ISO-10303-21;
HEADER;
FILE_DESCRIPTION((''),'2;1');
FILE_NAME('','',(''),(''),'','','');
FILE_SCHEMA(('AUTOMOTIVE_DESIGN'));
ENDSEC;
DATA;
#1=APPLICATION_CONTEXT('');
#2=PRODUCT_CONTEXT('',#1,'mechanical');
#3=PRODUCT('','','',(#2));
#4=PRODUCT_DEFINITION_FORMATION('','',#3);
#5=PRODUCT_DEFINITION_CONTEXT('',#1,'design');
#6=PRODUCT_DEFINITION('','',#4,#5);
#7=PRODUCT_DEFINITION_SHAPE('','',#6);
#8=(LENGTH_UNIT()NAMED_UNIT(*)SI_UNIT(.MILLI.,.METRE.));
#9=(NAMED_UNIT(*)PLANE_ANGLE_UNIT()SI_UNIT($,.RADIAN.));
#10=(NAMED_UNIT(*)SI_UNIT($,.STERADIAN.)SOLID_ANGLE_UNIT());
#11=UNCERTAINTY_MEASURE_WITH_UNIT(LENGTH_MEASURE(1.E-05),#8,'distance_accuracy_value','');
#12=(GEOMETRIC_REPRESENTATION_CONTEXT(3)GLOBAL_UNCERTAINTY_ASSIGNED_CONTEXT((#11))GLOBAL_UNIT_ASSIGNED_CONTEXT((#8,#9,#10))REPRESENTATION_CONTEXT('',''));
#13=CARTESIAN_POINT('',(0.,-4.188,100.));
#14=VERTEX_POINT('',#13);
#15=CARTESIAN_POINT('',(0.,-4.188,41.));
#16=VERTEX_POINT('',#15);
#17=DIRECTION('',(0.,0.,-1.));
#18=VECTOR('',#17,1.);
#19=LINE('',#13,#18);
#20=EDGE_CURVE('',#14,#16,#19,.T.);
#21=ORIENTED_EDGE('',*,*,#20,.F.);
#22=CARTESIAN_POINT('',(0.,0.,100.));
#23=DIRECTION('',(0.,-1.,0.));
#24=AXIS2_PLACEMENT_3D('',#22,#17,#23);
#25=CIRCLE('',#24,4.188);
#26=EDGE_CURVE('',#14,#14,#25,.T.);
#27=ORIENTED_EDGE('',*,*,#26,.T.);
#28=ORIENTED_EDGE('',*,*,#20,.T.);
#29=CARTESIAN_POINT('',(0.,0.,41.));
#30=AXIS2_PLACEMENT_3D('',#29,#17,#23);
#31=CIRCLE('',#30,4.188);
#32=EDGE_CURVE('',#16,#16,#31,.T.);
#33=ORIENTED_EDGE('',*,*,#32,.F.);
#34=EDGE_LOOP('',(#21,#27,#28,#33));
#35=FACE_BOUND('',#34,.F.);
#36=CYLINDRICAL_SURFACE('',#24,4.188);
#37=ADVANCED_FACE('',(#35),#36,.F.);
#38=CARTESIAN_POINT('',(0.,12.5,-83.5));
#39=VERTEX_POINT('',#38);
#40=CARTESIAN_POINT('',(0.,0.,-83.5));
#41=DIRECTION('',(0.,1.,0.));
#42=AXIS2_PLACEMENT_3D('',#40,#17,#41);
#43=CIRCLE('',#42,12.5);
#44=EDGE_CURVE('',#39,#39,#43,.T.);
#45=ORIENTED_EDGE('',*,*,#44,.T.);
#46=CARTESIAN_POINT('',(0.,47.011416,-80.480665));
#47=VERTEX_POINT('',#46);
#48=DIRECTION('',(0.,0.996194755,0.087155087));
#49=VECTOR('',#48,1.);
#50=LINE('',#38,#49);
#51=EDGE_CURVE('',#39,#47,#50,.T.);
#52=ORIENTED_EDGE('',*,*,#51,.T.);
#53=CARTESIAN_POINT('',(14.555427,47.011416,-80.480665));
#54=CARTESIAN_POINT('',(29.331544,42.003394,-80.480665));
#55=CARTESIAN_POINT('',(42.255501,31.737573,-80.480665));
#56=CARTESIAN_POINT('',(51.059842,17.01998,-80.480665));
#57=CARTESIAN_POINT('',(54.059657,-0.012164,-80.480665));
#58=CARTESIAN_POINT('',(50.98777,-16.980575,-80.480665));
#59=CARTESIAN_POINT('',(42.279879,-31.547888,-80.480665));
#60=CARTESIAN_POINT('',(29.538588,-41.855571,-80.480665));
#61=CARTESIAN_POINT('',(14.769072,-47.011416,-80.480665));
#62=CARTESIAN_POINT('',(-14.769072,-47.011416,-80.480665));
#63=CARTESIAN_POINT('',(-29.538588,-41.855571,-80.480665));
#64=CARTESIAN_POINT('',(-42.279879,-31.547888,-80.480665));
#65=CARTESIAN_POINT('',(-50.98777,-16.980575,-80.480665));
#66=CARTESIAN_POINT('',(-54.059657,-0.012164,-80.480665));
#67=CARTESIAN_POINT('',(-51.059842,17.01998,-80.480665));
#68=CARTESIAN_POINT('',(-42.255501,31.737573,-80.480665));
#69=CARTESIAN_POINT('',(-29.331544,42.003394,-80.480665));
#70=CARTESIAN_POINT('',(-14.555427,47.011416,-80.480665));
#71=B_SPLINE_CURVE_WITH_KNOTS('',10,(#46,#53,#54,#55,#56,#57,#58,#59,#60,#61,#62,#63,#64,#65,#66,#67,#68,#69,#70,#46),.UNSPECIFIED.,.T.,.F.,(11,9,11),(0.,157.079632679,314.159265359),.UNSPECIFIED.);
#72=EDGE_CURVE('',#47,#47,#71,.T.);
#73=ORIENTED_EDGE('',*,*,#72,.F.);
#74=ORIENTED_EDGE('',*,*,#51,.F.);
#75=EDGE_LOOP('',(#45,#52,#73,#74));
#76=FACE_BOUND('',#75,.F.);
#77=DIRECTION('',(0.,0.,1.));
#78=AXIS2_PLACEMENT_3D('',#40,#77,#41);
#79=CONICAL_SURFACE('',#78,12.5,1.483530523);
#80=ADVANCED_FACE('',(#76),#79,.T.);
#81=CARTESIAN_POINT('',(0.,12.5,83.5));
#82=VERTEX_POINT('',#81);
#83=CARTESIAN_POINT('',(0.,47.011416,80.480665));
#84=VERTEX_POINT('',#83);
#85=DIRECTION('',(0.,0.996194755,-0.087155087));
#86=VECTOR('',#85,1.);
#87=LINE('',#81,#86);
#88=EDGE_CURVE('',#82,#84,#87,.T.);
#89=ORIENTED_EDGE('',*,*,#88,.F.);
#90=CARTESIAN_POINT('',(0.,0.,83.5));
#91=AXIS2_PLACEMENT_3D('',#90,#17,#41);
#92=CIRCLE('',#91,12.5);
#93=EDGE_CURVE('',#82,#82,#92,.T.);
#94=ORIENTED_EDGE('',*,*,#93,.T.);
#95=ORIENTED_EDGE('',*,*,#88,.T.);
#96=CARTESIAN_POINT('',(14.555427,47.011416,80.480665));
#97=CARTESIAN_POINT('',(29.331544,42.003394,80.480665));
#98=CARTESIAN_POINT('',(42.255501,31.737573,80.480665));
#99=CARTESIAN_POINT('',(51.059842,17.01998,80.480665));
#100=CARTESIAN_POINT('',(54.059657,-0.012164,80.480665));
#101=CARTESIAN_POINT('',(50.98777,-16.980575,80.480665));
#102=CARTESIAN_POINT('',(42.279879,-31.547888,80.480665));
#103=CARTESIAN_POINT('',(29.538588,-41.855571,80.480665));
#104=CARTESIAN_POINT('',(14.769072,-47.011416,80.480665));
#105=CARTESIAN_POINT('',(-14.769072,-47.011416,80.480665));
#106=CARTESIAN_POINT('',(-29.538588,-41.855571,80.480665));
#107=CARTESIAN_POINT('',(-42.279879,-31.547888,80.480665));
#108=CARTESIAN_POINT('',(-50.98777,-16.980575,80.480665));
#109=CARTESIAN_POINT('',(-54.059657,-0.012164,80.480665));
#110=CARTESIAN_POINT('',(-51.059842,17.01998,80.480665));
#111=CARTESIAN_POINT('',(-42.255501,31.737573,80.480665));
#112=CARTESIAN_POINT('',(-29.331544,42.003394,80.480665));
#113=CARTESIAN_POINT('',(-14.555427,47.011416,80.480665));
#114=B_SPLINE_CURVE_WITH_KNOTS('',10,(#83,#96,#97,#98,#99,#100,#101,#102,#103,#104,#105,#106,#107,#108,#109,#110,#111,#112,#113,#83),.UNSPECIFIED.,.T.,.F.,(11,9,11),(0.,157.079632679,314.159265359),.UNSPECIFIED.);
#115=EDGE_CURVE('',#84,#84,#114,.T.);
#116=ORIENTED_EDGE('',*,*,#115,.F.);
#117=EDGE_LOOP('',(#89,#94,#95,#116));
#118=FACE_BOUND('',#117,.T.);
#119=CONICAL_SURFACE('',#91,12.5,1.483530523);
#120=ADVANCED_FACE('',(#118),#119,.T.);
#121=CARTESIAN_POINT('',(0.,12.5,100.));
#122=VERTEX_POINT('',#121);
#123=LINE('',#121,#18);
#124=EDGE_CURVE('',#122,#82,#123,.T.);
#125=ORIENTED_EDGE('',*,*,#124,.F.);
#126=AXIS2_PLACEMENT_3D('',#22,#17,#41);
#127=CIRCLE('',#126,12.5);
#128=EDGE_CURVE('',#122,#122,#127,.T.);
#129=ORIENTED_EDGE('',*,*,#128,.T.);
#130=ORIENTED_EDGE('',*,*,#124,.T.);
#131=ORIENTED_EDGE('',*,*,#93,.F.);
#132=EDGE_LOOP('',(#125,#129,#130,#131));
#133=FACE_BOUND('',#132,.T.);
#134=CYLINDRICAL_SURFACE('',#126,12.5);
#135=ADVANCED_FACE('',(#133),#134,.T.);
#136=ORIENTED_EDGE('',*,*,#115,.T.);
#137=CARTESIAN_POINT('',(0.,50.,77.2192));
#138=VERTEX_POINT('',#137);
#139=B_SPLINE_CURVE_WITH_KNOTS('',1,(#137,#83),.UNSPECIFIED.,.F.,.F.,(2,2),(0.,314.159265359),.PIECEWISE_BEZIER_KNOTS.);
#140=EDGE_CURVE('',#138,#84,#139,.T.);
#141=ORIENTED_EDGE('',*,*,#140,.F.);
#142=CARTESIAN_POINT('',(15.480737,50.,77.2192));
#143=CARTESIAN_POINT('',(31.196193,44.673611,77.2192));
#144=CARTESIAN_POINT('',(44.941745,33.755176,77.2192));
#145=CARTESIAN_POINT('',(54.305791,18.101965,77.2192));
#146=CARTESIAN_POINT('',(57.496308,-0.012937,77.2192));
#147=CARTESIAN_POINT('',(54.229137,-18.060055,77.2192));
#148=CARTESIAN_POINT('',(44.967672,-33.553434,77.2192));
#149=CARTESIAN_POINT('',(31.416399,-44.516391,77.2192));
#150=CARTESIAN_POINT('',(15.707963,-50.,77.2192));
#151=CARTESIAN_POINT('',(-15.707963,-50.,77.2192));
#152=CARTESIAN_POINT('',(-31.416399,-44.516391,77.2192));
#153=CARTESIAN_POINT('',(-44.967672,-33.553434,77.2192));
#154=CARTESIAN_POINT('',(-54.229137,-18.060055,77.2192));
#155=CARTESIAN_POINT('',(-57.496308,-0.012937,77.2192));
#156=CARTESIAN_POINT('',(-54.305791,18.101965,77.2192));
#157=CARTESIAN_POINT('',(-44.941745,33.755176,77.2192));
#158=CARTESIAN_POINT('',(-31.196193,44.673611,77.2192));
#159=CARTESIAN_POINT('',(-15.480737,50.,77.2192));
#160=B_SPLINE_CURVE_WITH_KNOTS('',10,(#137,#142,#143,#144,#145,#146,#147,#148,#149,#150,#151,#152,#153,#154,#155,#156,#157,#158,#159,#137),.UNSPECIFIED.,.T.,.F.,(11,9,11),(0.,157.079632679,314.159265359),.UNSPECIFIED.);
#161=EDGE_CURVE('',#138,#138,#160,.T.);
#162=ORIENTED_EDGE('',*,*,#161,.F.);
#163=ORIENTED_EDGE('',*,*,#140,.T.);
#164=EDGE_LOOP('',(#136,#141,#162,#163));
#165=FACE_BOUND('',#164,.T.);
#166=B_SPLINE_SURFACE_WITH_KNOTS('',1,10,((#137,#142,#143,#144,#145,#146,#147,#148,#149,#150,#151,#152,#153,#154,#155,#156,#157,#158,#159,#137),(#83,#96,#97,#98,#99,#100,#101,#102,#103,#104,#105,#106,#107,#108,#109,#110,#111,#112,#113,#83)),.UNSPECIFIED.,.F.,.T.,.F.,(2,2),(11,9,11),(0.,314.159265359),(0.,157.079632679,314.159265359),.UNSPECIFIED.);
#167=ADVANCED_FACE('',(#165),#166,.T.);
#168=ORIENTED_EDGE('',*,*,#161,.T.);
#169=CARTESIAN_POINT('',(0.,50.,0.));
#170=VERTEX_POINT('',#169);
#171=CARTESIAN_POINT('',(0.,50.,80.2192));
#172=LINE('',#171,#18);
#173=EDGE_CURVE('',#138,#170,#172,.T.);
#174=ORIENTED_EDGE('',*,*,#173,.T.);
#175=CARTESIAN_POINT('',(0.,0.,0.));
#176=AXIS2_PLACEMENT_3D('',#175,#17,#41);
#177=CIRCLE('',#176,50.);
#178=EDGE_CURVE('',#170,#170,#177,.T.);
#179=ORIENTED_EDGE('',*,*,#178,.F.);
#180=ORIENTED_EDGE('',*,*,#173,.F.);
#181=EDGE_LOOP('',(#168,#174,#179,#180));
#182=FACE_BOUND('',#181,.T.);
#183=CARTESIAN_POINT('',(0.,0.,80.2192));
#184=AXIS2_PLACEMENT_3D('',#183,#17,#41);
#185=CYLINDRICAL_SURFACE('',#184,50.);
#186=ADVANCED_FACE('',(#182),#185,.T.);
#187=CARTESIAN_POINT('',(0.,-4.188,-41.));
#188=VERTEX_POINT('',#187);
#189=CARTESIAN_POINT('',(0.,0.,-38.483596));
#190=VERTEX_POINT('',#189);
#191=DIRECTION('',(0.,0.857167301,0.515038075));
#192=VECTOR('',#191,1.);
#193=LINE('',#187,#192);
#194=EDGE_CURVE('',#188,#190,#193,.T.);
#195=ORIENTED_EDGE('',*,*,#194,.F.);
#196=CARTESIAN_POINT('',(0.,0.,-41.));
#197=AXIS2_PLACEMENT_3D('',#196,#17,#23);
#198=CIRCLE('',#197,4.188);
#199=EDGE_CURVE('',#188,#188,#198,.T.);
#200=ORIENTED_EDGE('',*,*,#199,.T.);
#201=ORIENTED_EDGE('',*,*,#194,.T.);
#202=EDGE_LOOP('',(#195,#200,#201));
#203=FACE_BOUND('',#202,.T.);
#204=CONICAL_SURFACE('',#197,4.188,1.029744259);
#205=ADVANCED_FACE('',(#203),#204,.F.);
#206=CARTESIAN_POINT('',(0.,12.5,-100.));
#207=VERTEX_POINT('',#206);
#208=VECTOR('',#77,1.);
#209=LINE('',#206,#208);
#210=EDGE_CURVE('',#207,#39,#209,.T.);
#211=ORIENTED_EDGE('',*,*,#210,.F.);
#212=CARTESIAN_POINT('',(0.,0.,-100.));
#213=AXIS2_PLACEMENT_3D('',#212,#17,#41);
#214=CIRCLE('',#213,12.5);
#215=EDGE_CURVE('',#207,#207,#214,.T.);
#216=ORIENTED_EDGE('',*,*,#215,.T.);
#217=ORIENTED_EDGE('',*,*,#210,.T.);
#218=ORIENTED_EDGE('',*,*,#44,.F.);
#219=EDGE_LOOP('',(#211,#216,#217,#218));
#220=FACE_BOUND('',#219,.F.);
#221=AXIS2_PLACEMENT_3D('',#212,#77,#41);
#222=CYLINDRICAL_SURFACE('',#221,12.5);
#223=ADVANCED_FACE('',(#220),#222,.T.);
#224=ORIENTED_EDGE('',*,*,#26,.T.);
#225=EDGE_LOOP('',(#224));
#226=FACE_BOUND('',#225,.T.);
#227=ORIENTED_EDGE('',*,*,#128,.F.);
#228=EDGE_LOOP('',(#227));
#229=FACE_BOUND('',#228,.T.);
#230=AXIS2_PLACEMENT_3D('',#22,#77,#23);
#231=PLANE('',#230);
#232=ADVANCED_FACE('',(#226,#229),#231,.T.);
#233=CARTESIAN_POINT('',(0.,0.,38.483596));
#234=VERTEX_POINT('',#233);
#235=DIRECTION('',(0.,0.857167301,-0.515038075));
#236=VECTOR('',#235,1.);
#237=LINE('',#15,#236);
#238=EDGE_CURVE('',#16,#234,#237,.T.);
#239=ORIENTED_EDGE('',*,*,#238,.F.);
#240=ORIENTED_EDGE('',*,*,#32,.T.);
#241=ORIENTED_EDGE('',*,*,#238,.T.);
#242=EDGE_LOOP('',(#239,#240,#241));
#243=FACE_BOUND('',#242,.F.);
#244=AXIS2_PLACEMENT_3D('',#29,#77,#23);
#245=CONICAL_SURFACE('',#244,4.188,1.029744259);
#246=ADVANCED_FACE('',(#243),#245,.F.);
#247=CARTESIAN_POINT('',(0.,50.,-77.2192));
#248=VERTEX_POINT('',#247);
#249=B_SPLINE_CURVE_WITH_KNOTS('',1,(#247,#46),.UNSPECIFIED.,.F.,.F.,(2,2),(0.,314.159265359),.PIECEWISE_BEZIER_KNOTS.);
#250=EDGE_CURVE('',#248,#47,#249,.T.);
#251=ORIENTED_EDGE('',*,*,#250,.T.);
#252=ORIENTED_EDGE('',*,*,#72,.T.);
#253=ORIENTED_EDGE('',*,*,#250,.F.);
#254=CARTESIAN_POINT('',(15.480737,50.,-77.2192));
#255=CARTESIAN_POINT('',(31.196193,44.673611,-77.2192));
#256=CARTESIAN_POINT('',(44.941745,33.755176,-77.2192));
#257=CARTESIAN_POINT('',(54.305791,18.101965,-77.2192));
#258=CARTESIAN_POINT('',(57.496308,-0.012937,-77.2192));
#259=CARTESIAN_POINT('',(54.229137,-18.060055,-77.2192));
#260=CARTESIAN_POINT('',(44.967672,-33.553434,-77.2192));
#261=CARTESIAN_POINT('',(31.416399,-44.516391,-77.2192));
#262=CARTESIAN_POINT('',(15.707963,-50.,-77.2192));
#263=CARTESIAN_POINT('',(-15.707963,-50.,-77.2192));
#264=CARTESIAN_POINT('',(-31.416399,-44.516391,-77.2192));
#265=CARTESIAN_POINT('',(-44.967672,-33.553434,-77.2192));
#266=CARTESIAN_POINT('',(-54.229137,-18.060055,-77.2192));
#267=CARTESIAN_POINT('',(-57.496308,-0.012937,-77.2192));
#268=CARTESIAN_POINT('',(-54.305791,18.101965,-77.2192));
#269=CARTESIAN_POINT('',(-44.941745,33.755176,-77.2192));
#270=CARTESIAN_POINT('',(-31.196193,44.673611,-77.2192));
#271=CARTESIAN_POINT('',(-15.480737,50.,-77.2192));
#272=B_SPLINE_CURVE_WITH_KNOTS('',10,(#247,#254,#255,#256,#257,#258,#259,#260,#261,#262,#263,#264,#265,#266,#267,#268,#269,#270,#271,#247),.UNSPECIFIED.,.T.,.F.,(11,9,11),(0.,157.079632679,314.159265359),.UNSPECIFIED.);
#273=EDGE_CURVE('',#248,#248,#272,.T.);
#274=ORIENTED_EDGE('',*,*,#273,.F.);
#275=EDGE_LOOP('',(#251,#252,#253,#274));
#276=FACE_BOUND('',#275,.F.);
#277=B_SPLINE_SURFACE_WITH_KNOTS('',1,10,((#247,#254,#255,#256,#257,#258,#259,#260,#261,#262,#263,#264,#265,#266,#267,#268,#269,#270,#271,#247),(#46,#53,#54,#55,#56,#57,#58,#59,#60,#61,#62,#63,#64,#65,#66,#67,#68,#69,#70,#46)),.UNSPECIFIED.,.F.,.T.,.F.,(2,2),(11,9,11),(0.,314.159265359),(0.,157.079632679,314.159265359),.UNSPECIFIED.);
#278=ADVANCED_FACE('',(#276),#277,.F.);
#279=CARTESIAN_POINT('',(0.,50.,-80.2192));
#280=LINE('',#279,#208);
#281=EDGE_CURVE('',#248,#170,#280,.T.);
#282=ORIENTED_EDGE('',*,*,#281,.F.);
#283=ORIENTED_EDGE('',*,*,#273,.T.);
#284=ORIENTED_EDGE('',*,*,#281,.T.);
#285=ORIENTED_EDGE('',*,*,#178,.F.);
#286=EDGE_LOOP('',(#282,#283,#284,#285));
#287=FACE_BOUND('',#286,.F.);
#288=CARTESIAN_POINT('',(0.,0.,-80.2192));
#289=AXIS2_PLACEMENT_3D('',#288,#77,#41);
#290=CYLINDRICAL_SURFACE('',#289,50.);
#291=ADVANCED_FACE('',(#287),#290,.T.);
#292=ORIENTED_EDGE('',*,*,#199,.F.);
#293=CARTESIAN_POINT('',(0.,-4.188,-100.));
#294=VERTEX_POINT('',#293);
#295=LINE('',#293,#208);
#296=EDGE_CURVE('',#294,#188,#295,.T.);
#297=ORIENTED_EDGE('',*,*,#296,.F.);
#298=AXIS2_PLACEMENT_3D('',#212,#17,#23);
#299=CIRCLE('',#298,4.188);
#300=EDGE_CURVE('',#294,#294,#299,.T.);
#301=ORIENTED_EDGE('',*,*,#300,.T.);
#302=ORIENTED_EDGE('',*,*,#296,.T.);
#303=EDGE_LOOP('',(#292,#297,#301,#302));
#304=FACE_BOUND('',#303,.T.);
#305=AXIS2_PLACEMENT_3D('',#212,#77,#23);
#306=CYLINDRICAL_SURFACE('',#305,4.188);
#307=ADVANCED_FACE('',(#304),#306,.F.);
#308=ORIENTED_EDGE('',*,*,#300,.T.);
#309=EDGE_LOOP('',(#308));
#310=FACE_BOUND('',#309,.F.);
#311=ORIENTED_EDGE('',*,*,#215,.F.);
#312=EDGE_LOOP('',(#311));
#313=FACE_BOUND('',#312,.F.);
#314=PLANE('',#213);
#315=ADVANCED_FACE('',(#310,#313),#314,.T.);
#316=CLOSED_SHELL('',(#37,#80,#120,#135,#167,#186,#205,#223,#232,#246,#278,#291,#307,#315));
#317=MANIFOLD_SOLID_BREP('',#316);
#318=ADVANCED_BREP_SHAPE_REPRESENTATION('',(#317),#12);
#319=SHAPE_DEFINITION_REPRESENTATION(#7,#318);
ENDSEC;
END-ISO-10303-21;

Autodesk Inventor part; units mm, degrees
ref_plane "YZ Plane" through (0, 0, 0) normal (1, 0, 0) x (0, 1, 0)
ref_plane "XZ Plane" through (0, 0, 0) normal (0, 1, 0) x (-1, 0, 0)
ref_plane "XY Plane" through (0, 0, 0) normal (0, 0, 1) x (1, 0, 0)
sketch "草圖1" plane through (0, 0, 0) normal (1, 0, 0) x (0, 1, 0)
  line L0 (-26.8, 0) -> (62.8, 0) projected
  line L1 (0, -120) -> (0, 20) projected
  line L2 (-14, -100) -> (14, -100)
  line L3 (0, -100) -> (12.5, -100)
  line L4 (12.5, -100) -> (12.5, -83.5)
  line L5 (12.5, -83.5) -> (0, -83.5)
  line L6 (0, -83.5) -> (0, -100)
  line L7 (12.5, -83.5) -> (50, -80.2192)
  line L8 (12.5, -83.5) -> (37.1972, -83.5) construction
  line L9 (50, -80.2192) -> (50, 0)
  line L10 (50, 0) -> (0, 0)
  line L11 (0, 0) -> (0, -83.5)
  dimension "d0" = 100
  dimension "d1" = 12.5
  dimension "d2" = 16.5
  dimension "d3" = 0
  dimension "d4" = 5
  dimension "d5" = 50
revolve "迴轉1" add sketch "草圖1" angle 360 about axis through (0, 0, 0) along (0, 0, -1)
mirror "鏡射1" about plane through (0, 50, 0) normal (0, 0, 1) of "迴轉1"
chamfer "倒角1" distance 3 angle 45 2 edges at (0, -50, 80.2192) (0, -50, -80.2192)
hole "孔1" at (0, 0, 100) direction (0, 0, -1) diameter 8.376 depth 59 tip angle 118 thread size "M10x1.5" class "6H" standard "ISO Metric profile"
ref_plane "工作平面1" through (0, 0, 0) normal (0, 0, 1) x (1, 0, 0)
ref_plane "工作平面2" through (0, 0, 0) normal (0, 0, -1) x (-1, 0, 0)
mirror "鏡射2" about plane through (0, 0, 0) normal (0, 0, 1) of "孔1"
properties part number "exercise3-11"
